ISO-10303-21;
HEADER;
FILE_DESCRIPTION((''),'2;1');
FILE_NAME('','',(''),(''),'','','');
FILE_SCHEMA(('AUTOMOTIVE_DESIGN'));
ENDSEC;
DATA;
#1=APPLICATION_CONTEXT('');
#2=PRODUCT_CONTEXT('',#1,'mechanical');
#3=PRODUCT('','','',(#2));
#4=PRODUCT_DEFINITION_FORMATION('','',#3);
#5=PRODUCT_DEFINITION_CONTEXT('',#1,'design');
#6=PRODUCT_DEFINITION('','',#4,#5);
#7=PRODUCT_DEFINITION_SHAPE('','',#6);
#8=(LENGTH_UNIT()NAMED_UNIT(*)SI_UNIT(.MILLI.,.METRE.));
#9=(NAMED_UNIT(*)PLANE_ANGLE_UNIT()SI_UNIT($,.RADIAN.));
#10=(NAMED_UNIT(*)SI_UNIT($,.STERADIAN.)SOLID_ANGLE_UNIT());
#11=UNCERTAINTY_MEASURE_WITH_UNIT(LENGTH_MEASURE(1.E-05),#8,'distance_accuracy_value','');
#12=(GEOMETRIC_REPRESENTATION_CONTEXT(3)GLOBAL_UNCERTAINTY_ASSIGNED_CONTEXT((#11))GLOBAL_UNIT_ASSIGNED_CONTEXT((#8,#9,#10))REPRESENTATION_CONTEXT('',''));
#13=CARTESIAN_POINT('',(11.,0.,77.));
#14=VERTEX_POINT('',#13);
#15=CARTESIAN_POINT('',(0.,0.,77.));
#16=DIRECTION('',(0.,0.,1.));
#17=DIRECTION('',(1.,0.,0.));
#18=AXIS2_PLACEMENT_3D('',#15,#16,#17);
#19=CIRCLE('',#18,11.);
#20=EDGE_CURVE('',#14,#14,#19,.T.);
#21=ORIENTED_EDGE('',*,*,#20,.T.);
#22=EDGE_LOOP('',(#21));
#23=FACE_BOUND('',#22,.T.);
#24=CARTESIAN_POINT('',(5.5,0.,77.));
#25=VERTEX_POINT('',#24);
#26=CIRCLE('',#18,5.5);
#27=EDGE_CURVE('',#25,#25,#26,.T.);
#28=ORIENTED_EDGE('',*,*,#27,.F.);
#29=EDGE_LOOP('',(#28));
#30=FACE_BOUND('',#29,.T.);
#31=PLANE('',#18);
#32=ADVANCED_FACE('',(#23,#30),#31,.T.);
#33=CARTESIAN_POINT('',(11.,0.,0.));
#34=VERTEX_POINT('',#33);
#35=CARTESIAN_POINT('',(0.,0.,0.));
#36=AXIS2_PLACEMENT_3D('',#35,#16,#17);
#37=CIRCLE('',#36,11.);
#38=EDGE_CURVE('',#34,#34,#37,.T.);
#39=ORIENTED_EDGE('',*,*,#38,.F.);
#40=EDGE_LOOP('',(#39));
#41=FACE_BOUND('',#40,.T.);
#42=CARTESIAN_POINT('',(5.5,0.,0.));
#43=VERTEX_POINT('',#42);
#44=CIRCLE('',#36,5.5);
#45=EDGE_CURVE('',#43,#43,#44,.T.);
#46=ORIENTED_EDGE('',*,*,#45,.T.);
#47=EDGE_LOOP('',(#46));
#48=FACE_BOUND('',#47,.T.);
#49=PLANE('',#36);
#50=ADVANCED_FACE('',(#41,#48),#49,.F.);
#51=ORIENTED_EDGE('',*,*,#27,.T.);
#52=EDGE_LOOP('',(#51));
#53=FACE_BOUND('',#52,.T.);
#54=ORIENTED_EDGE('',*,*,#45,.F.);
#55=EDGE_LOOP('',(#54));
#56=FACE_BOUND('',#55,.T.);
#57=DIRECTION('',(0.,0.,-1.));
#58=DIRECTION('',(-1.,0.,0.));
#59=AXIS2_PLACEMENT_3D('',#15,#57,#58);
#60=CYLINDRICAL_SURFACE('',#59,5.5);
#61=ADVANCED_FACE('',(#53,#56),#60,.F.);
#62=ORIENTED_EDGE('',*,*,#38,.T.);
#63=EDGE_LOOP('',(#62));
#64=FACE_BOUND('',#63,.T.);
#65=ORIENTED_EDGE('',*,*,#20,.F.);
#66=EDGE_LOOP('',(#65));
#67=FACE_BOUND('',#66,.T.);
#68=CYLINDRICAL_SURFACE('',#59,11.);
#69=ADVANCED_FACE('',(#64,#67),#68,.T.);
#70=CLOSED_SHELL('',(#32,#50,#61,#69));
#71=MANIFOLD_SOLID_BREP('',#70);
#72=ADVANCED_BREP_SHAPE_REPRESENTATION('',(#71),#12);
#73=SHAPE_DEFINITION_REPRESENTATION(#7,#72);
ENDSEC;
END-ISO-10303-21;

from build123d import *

# Parameters (mm, degrees)
SKETCH1_R           = 11
SKETCH1_R_2         = 5.5
BOSS_EXTRUDE1_DEPTH = 77


with BuildPart() as part:
    # Sketch1 → Boss-Extrude1 (new body)
    with BuildSketch(Plane.XY):
        Circle(SKETCH1_R)
        Circle(SKETCH1_R_2, mode=Mode.SUBTRACT)
    extrude(amount=BOSS_EXTRUDE1_DEPTH)


solid = part.part
